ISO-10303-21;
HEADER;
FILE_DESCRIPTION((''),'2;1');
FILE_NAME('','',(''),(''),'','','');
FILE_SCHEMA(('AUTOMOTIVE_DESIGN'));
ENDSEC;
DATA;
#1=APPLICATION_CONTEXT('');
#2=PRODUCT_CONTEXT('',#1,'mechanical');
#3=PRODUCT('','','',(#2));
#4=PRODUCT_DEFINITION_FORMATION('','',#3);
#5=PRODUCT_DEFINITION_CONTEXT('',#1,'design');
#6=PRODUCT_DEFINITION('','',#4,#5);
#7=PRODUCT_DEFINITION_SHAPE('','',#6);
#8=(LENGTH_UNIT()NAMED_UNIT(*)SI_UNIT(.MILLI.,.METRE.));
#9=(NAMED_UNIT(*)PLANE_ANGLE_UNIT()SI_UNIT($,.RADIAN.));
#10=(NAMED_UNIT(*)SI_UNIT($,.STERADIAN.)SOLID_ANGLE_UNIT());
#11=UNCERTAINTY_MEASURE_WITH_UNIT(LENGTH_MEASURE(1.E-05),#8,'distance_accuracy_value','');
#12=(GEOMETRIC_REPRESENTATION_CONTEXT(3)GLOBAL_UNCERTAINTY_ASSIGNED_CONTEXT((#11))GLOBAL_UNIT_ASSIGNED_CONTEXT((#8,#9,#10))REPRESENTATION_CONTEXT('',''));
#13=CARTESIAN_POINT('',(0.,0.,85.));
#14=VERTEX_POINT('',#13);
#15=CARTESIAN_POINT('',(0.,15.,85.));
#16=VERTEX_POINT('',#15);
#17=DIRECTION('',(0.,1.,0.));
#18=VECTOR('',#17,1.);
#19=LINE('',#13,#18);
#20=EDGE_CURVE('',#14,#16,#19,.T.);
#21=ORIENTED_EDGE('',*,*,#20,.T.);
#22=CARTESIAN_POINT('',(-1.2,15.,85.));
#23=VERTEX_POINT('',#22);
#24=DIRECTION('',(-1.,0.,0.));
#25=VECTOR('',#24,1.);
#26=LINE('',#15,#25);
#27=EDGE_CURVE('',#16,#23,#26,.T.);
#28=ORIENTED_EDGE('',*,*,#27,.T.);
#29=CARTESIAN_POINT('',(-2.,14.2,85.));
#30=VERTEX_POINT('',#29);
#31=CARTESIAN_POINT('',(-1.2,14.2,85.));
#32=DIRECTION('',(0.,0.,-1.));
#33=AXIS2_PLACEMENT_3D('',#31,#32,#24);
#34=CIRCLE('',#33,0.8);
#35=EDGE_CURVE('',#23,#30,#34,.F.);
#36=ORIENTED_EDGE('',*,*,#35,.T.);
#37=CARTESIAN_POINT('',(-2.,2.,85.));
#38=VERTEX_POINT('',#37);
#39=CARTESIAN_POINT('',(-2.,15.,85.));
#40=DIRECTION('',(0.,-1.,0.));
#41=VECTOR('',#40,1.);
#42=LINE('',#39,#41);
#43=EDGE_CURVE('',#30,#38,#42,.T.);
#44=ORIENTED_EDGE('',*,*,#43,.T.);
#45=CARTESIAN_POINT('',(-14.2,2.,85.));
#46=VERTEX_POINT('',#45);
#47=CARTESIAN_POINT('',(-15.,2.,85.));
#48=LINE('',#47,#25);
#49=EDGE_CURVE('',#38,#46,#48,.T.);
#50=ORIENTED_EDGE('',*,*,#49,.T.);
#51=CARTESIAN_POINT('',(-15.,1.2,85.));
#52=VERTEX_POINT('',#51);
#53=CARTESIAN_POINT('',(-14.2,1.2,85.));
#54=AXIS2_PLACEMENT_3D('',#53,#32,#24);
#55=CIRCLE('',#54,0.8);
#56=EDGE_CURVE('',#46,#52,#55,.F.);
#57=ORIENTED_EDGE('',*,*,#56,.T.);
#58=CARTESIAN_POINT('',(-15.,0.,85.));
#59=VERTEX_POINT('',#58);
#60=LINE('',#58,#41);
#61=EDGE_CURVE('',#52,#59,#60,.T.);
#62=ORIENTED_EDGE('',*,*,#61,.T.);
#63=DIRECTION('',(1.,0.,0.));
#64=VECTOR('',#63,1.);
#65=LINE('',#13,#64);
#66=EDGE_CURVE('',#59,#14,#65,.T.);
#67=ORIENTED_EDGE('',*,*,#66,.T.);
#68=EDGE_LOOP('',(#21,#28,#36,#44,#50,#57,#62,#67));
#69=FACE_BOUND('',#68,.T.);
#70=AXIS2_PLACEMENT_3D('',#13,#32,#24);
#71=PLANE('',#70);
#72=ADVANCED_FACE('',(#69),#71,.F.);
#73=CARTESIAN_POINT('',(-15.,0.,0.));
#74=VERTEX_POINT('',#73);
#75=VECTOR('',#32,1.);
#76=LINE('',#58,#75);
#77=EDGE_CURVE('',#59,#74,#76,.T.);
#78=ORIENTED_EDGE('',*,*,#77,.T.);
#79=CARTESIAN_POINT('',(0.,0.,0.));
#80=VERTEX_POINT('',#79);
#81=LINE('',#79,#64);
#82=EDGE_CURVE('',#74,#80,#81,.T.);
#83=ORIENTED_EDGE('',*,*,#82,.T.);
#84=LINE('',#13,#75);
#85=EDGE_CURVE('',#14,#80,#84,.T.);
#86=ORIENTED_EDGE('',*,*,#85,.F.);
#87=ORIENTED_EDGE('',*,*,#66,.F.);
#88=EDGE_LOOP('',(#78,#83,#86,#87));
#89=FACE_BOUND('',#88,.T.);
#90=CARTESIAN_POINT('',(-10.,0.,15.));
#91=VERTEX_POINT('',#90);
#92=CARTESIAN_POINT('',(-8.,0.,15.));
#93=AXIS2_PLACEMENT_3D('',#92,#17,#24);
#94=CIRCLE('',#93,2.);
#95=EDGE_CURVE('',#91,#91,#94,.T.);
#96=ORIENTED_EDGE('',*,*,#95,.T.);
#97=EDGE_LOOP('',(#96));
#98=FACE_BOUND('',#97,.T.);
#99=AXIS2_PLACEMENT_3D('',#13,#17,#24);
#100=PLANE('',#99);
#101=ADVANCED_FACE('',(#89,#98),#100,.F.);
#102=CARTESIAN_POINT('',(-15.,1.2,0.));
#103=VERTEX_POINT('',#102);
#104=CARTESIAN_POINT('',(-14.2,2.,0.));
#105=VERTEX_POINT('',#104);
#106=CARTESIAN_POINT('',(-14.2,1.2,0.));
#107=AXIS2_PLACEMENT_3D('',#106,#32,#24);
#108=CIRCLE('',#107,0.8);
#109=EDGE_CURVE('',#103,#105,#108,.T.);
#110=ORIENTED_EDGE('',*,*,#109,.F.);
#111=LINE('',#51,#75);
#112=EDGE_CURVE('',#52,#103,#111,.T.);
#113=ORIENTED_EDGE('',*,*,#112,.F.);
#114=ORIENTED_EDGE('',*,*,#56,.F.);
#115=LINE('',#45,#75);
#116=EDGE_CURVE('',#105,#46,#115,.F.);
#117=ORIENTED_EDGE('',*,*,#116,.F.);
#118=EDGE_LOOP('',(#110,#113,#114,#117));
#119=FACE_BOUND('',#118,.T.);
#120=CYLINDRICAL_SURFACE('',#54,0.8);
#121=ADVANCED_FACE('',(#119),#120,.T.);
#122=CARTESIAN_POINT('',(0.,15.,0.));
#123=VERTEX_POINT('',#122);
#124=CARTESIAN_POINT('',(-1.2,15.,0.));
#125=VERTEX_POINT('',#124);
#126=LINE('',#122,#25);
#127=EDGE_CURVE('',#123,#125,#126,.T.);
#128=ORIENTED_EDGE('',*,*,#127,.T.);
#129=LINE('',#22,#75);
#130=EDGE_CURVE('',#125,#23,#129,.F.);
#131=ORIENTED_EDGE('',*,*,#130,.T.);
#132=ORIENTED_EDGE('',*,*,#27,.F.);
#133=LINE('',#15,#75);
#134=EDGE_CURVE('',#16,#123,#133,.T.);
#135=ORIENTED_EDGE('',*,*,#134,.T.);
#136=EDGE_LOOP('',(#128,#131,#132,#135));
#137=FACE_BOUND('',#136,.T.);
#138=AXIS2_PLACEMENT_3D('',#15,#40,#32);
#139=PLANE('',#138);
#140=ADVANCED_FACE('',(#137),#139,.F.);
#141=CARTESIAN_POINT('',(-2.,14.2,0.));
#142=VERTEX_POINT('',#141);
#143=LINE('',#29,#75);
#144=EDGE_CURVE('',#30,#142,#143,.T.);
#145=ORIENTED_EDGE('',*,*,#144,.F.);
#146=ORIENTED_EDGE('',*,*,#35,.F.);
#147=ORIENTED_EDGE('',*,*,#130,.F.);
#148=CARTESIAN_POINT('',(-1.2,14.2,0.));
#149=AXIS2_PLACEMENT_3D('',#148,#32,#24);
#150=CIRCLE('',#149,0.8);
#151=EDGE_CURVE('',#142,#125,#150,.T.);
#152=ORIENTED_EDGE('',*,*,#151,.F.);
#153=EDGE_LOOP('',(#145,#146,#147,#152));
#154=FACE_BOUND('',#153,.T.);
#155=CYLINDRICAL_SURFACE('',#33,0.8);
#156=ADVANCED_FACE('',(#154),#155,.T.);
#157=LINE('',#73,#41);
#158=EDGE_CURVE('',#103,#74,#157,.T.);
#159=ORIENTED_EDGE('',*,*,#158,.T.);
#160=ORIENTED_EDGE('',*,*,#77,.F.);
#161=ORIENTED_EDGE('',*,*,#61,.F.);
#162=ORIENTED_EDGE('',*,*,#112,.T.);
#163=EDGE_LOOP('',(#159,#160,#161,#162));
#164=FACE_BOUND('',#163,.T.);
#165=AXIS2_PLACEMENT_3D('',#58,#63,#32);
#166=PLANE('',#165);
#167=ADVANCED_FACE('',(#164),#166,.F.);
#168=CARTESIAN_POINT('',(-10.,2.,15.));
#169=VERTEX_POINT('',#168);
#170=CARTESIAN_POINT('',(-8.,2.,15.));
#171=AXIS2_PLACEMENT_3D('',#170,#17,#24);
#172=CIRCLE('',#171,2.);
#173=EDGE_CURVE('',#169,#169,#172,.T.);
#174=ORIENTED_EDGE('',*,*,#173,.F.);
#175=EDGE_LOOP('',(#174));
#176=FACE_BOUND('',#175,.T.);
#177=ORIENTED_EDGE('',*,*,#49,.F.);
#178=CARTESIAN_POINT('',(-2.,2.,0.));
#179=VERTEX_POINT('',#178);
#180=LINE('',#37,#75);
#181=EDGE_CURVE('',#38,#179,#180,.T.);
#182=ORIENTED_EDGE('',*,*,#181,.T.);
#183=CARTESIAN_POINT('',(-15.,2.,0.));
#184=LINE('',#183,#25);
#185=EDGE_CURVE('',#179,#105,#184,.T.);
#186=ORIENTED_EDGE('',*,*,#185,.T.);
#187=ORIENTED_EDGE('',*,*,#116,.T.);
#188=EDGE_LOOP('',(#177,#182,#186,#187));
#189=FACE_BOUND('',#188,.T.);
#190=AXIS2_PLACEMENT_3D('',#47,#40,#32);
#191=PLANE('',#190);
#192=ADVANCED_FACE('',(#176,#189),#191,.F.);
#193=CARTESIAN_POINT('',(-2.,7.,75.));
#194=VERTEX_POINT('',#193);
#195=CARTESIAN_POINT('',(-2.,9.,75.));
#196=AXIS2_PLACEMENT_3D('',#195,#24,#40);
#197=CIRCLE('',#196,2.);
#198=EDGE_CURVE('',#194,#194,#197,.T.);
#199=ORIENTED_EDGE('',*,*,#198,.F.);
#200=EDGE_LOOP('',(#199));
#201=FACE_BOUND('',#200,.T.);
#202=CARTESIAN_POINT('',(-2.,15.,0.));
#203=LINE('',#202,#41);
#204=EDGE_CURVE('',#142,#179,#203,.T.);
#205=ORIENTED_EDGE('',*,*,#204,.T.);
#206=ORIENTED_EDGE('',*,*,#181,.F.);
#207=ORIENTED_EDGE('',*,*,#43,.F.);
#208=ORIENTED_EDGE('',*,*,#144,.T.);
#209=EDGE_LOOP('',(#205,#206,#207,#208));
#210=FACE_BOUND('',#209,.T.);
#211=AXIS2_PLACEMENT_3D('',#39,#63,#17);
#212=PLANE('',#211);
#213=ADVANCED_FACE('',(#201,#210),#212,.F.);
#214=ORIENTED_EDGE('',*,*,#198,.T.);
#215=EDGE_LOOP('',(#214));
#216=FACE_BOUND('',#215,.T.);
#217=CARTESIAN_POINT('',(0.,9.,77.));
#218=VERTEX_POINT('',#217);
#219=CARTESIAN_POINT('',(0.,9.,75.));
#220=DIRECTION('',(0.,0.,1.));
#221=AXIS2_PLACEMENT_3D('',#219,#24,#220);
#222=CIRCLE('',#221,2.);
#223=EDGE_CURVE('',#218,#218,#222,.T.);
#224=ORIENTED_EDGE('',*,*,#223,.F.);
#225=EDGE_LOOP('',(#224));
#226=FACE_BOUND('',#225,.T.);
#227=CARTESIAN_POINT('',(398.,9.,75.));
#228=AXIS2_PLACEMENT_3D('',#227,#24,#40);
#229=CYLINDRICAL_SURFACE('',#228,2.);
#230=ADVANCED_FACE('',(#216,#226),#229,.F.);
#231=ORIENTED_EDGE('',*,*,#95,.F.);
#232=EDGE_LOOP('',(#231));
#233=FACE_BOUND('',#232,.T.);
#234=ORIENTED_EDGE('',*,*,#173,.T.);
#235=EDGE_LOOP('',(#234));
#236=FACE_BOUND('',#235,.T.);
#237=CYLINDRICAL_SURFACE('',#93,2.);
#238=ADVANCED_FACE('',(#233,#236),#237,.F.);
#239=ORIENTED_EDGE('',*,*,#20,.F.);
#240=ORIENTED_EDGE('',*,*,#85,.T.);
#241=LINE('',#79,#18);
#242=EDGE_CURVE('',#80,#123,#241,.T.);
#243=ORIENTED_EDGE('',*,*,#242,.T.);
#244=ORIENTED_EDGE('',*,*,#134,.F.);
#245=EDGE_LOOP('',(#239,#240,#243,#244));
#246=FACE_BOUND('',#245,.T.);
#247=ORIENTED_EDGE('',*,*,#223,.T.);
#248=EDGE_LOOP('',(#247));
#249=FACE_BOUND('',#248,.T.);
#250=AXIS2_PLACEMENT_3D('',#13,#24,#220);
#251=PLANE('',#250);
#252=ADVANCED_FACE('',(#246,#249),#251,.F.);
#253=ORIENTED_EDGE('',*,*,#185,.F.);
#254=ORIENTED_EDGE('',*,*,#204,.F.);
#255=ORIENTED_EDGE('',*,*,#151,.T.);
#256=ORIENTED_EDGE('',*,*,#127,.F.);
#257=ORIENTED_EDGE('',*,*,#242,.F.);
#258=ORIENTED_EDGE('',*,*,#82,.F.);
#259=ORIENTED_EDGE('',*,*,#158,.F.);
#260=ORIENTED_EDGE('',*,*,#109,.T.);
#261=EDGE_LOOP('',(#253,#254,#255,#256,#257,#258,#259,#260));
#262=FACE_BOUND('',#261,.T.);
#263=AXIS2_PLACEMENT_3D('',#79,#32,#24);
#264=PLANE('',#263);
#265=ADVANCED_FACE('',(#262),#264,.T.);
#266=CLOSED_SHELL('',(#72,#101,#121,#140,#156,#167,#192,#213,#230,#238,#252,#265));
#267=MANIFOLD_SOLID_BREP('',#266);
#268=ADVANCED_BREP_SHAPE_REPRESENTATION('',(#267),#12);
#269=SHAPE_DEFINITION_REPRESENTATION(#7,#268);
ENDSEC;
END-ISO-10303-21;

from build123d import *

# Parameters (mm, degrees)
EXTRUDE_1_DEPTH     = 85
FILLET_1_R          = 0.8
SKETCH_2_R          = 2
CUT_EXTRUDE_1_DEPTH = 2
SKETCH_3_R          = 2
CUT_EXTRUDE_2_DEPTH = 400


with BuildPart() as part:
    # 草图1 → 凸台-拉伸1 (new body)
    with BuildSketch(Plane.XY):
        Polygon((0, 0), (0, 15), (-2, 15), (-2, 2), (-15, 2), (-15, 0), align=None)
    extrude(amount=EXTRUDE_1_DEPTH)

    # 圆角1
    fillet_1_edges = [part.edges().sort_by_distance(p)[0] for p in [
        (-15, 2, 42.5),
        (-2, 15, 42.5),
    ]]
    fillet(fillet_1_edges, radius=FILLET_1_R)

    # 草图2 → 切除-拉伸1 (cut)
    with BuildSketch(Plane(origin=(0, 2, 0), x_dir=(1, 0, 0), z_dir=(0, 1, 0))):
        with Locations((-8, -15)):
            Circle(SKETCH_2_R)
    extrude(amount=-CUT_EXTRUDE_1_DEPTH, mode=Mode.SUBTRACT)

    # 草图3 → 切除-拉伸2 (cut)
    with BuildSketch(Plane.ZY.offset(2)):
        with Locations((75, 9)):
            Circle(SKETCH_3_R)
    extrude(amount=-CUT_EXTRUDE_2_DEPTH, mode=Mode.SUBTRACT)


solid = part.part
